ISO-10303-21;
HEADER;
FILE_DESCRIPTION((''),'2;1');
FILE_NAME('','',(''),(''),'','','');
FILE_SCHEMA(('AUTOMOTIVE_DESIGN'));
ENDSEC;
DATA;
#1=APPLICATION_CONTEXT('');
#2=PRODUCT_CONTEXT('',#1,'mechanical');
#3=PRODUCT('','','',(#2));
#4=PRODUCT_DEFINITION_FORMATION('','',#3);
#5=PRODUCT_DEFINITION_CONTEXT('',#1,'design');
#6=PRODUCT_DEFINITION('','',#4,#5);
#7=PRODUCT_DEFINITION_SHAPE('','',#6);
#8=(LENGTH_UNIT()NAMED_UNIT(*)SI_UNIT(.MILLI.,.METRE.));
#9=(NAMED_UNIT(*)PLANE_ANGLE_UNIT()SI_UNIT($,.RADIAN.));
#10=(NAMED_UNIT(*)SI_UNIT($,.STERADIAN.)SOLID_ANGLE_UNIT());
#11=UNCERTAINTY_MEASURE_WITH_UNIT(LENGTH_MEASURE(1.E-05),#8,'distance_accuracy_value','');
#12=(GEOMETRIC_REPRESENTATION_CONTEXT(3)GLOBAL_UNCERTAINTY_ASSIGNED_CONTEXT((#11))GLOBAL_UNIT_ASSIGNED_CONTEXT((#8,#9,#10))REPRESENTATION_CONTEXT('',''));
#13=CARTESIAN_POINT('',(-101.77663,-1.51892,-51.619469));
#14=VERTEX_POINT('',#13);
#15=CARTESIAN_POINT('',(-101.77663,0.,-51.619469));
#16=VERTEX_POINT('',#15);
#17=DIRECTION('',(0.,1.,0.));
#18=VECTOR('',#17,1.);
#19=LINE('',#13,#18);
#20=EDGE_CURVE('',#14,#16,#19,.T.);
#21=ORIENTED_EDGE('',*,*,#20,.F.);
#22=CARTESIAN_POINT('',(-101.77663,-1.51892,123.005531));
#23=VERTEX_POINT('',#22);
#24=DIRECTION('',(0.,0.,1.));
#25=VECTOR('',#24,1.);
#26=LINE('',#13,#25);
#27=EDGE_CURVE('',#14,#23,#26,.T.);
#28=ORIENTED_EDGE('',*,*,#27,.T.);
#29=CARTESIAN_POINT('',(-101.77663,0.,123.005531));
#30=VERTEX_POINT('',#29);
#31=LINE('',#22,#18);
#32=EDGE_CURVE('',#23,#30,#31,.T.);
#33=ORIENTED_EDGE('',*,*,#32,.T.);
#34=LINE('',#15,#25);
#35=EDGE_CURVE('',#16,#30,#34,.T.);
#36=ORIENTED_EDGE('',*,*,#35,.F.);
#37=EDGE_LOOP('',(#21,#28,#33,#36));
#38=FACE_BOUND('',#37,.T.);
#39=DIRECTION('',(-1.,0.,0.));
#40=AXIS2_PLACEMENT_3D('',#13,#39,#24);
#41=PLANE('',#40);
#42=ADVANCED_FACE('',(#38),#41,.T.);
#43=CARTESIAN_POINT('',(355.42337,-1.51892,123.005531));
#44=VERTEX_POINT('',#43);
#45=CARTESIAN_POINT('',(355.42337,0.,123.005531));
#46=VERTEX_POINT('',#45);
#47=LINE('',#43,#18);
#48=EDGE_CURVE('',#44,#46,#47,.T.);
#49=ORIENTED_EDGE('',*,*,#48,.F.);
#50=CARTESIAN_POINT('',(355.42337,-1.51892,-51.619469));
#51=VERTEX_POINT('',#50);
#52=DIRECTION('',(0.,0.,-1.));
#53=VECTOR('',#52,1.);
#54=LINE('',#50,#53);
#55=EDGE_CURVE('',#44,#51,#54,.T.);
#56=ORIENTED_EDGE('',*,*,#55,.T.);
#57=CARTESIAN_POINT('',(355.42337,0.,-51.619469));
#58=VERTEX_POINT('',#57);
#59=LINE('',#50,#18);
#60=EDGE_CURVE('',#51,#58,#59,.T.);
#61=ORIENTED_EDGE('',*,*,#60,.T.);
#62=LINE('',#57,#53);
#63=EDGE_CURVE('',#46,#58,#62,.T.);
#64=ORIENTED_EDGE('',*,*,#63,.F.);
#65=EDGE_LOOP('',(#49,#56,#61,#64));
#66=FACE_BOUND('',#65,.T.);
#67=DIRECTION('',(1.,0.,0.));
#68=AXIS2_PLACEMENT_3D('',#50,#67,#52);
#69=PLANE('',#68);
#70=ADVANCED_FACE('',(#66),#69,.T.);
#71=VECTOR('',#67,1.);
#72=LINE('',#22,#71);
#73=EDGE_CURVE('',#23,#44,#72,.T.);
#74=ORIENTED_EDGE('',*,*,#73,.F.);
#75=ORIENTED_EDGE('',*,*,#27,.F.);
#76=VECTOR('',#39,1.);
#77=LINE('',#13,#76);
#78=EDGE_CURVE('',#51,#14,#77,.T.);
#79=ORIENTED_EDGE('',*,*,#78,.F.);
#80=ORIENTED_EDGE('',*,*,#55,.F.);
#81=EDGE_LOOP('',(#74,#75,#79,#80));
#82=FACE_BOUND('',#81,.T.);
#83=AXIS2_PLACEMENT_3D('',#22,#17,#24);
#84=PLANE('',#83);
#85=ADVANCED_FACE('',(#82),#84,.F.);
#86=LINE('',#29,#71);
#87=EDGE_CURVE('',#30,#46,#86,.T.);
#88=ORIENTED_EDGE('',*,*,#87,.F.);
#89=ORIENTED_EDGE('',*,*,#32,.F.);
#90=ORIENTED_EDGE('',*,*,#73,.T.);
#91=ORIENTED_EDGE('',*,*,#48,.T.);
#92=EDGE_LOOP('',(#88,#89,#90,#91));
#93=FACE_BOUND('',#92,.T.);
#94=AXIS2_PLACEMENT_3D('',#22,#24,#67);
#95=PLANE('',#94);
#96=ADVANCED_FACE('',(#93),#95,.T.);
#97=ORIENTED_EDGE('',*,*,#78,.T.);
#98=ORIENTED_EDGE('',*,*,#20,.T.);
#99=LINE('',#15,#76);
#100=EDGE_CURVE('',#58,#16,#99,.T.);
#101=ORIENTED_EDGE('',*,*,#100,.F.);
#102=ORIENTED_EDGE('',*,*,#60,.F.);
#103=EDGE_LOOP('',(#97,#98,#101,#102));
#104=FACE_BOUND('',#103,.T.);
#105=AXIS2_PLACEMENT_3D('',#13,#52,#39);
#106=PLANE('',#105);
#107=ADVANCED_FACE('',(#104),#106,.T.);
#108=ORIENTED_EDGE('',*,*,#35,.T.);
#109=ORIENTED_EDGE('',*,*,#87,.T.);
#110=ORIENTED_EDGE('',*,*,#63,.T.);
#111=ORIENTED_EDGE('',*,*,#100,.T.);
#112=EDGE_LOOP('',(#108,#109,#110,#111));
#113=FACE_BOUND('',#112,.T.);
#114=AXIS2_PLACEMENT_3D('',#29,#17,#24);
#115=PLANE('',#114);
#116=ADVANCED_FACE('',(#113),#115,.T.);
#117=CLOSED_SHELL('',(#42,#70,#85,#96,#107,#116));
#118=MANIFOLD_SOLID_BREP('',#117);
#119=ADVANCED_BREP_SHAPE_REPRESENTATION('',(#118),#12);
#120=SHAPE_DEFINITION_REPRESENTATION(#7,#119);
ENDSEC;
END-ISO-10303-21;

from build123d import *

# Parameters (mm, degrees)
SKETCH1_W           = 457.2
SKETCH1_H           = 174.625
BOSS_EXTRUDE1_DEPTH = 1.51892


with BuildPart() as part:
    # Sketch1 → Boss-Extrude1 (new body)
    with BuildSketch(Plane(origin=(0, 0, 0), x_dir=(1, 0, 0), z_dir=(0, 1, 0))):
        with Locations((126.823369918, -35.693031007)):
            Rectangle(SKETCH1_W, SKETCH1_H)
    extrude(amount=-BOSS_EXTRUDE1_DEPTH)


solid = part.part
